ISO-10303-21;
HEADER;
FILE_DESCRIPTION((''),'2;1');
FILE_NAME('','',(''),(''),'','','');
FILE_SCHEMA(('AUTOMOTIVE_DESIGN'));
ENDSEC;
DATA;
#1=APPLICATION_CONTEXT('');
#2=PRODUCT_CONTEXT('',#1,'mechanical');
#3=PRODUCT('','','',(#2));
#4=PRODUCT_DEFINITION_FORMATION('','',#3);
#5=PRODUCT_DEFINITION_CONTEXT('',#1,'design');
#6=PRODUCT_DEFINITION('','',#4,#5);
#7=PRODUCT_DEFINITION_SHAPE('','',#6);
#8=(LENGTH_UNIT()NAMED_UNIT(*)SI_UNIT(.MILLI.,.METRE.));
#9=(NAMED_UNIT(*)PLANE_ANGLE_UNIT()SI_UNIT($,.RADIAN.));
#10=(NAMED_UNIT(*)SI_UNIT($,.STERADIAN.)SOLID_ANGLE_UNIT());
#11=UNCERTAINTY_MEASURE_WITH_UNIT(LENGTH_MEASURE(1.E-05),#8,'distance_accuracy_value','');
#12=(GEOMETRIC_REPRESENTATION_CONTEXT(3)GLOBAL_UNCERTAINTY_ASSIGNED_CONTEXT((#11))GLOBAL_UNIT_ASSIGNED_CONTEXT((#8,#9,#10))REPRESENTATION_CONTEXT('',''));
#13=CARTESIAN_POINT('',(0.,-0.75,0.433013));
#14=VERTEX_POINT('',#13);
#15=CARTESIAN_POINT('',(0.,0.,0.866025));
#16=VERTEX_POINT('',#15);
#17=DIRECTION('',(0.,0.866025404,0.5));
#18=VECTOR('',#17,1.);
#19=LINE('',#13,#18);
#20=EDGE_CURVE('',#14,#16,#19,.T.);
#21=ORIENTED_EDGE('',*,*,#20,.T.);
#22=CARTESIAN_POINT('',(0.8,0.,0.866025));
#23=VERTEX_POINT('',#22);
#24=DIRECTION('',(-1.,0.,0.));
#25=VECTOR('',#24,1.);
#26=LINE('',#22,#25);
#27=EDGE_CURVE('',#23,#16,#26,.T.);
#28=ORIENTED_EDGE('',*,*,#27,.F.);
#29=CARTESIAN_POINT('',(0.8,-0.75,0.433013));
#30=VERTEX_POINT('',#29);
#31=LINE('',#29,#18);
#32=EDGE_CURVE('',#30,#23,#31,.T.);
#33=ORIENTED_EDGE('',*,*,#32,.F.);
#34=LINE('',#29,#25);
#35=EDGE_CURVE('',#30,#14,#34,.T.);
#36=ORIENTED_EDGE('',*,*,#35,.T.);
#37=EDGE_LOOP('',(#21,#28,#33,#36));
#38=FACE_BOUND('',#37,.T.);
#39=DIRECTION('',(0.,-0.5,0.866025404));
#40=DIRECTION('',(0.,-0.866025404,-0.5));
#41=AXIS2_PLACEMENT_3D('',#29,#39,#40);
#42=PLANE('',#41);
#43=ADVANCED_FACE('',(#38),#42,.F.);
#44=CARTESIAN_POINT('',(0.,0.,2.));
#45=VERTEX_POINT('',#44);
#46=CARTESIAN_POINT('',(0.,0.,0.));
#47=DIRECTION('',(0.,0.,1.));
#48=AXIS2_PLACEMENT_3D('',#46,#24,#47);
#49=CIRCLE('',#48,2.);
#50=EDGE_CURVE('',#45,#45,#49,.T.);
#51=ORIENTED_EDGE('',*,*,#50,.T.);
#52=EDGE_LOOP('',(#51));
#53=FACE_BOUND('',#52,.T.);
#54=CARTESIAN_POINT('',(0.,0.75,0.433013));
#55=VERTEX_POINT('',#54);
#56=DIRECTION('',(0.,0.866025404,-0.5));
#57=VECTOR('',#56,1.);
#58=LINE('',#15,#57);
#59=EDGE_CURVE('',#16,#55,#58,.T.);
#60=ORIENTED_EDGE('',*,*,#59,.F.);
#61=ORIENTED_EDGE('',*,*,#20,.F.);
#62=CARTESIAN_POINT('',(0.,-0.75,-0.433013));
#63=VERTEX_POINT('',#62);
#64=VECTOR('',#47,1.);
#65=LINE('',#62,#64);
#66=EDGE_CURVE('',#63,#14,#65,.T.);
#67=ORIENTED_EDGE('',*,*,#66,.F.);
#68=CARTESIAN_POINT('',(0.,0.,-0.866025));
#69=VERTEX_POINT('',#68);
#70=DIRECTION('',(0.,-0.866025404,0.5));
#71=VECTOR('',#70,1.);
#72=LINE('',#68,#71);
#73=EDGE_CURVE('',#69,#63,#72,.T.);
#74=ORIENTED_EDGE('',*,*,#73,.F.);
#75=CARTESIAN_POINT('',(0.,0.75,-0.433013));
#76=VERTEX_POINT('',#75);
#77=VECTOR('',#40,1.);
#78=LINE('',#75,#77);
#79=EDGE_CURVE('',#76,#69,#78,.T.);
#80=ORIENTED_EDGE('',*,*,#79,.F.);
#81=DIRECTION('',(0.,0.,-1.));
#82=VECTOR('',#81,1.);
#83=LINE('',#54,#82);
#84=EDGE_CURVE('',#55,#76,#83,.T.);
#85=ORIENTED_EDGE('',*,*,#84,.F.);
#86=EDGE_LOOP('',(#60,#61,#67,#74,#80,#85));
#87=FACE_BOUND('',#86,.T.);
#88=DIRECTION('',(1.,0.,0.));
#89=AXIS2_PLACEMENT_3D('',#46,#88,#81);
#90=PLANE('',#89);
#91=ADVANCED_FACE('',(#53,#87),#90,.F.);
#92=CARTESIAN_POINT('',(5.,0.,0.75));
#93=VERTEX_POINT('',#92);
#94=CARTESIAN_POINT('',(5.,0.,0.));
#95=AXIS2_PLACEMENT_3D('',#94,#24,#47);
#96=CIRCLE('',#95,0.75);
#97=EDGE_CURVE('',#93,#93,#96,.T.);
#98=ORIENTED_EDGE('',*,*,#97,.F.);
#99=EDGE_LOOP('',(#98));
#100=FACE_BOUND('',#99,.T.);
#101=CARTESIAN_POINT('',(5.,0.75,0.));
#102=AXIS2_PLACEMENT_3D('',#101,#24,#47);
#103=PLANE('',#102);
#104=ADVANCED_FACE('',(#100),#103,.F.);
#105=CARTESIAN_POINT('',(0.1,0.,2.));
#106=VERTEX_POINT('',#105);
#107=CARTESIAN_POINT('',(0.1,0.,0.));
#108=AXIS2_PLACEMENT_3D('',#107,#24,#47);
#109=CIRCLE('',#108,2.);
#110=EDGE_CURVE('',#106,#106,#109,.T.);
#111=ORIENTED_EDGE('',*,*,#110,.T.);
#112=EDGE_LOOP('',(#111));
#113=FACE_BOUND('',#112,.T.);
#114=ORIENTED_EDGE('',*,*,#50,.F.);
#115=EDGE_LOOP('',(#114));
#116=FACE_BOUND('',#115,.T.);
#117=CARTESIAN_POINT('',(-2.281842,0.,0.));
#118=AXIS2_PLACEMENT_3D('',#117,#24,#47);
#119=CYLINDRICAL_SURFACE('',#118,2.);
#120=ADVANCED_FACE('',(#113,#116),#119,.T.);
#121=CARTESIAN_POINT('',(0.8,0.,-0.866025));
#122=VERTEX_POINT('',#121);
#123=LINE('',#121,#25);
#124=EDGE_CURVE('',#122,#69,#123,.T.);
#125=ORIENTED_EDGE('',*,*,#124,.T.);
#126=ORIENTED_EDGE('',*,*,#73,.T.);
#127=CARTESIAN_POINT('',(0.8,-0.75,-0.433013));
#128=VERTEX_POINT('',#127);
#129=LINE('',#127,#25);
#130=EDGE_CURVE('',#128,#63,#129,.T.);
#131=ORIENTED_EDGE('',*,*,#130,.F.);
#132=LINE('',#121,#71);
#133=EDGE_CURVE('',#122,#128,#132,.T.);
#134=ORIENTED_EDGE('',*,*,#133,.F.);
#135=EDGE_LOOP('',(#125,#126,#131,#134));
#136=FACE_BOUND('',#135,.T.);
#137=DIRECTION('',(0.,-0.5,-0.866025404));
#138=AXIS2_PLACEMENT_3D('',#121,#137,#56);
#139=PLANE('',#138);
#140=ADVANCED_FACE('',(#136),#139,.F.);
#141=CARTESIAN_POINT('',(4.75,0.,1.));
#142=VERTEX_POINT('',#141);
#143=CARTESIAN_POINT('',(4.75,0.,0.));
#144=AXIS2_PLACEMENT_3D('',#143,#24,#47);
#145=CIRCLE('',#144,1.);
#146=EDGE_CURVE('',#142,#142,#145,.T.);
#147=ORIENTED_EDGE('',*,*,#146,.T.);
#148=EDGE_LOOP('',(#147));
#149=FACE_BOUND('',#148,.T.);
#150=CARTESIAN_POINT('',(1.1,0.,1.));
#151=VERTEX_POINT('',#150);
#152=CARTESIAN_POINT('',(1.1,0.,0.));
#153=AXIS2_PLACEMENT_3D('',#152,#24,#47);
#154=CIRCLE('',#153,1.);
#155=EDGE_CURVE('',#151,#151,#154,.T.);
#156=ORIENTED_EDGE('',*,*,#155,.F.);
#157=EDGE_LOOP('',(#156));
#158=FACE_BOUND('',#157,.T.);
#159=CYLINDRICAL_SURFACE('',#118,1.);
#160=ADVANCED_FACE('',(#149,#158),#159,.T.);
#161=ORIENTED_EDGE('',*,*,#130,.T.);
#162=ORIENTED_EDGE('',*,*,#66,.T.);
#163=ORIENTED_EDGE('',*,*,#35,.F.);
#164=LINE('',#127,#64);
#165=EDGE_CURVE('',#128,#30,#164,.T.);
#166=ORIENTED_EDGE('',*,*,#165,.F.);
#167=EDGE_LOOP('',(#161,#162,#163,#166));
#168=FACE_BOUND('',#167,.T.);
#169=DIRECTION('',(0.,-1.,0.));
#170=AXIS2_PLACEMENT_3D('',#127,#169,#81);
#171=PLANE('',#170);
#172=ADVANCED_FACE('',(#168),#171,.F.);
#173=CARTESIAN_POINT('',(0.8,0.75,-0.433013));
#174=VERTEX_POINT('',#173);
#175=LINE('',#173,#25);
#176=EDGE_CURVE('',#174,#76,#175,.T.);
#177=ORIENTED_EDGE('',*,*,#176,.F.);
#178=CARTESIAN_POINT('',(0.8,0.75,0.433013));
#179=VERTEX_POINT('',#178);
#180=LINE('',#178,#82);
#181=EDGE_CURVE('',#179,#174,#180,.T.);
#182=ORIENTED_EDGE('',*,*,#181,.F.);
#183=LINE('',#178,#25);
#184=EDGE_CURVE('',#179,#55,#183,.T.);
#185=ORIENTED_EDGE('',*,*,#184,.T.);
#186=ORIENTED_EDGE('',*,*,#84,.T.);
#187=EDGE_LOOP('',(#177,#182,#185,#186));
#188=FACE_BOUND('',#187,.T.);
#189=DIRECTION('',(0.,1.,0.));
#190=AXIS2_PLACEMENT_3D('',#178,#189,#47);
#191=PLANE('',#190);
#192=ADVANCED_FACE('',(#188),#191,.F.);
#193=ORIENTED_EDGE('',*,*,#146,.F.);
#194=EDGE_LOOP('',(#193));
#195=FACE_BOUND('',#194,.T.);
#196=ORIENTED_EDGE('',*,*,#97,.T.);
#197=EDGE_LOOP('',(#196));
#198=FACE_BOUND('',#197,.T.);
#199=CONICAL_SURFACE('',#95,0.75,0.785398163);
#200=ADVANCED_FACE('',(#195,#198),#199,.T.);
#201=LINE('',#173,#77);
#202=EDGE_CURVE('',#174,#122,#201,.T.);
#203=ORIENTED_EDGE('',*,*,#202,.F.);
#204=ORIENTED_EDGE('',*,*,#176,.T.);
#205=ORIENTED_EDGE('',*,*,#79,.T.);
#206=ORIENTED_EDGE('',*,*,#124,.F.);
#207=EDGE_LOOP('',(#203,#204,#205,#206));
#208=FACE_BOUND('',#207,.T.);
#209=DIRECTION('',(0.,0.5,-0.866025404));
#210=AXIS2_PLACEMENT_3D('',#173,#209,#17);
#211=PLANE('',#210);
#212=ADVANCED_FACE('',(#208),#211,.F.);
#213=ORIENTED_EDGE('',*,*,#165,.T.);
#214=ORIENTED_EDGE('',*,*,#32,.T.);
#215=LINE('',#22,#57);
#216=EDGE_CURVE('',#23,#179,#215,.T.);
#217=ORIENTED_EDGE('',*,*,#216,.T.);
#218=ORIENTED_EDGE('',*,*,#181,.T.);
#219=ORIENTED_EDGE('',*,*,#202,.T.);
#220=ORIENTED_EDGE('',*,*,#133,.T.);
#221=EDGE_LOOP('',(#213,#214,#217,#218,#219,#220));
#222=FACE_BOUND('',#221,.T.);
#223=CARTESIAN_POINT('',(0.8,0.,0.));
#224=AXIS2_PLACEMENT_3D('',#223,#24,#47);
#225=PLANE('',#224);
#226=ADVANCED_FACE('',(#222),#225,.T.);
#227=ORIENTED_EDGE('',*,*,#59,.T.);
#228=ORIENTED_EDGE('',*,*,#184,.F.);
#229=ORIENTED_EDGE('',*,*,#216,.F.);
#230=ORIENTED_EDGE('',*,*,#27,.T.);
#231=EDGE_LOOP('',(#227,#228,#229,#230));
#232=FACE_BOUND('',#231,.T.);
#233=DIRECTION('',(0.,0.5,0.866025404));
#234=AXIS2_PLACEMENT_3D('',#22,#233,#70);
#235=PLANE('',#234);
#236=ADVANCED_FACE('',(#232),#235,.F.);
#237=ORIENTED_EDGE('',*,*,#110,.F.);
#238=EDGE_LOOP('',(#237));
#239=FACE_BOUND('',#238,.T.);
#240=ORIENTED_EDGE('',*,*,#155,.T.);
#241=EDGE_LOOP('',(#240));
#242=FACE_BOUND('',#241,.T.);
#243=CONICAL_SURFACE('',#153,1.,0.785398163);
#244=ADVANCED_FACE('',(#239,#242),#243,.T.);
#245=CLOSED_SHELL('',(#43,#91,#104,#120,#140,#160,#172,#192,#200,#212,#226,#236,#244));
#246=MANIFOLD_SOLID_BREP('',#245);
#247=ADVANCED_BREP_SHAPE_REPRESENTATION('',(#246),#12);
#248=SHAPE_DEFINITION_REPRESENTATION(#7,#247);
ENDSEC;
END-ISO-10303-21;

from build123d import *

# Parameters (mm, degrees)
CUT_EXTRUDE1_DEPTH = 0.8


with BuildPart() as part:
    # Sketch2 → Revolve1 (revolve)
    with BuildSketch(Plane.XY):
        Polygon((0, 0), (0, 2), (0.1, 2), (1.1, 1), (4.75, 1), (5, 0.75), (5, 0), align=None)
    revolve(axis=Axis((-2.281841559, 0, 0), (1, 0, 0)))

    # Sketch3 → Cut-Extrude1 (cut)
    with BuildSketch(Plane.ZY):
        Polygon((0.433012702, -0.75), (0.866025404, 0), (0.433012702, 0.75), (-0.433012702, 0.75), (-0.866025404, 0), (-0.433012702, -0.75), align=None)
    extrude(amount=-CUT_EXTRUDE1_DEPTH, mode=Mode.SUBTRACT)


solid = part.part
